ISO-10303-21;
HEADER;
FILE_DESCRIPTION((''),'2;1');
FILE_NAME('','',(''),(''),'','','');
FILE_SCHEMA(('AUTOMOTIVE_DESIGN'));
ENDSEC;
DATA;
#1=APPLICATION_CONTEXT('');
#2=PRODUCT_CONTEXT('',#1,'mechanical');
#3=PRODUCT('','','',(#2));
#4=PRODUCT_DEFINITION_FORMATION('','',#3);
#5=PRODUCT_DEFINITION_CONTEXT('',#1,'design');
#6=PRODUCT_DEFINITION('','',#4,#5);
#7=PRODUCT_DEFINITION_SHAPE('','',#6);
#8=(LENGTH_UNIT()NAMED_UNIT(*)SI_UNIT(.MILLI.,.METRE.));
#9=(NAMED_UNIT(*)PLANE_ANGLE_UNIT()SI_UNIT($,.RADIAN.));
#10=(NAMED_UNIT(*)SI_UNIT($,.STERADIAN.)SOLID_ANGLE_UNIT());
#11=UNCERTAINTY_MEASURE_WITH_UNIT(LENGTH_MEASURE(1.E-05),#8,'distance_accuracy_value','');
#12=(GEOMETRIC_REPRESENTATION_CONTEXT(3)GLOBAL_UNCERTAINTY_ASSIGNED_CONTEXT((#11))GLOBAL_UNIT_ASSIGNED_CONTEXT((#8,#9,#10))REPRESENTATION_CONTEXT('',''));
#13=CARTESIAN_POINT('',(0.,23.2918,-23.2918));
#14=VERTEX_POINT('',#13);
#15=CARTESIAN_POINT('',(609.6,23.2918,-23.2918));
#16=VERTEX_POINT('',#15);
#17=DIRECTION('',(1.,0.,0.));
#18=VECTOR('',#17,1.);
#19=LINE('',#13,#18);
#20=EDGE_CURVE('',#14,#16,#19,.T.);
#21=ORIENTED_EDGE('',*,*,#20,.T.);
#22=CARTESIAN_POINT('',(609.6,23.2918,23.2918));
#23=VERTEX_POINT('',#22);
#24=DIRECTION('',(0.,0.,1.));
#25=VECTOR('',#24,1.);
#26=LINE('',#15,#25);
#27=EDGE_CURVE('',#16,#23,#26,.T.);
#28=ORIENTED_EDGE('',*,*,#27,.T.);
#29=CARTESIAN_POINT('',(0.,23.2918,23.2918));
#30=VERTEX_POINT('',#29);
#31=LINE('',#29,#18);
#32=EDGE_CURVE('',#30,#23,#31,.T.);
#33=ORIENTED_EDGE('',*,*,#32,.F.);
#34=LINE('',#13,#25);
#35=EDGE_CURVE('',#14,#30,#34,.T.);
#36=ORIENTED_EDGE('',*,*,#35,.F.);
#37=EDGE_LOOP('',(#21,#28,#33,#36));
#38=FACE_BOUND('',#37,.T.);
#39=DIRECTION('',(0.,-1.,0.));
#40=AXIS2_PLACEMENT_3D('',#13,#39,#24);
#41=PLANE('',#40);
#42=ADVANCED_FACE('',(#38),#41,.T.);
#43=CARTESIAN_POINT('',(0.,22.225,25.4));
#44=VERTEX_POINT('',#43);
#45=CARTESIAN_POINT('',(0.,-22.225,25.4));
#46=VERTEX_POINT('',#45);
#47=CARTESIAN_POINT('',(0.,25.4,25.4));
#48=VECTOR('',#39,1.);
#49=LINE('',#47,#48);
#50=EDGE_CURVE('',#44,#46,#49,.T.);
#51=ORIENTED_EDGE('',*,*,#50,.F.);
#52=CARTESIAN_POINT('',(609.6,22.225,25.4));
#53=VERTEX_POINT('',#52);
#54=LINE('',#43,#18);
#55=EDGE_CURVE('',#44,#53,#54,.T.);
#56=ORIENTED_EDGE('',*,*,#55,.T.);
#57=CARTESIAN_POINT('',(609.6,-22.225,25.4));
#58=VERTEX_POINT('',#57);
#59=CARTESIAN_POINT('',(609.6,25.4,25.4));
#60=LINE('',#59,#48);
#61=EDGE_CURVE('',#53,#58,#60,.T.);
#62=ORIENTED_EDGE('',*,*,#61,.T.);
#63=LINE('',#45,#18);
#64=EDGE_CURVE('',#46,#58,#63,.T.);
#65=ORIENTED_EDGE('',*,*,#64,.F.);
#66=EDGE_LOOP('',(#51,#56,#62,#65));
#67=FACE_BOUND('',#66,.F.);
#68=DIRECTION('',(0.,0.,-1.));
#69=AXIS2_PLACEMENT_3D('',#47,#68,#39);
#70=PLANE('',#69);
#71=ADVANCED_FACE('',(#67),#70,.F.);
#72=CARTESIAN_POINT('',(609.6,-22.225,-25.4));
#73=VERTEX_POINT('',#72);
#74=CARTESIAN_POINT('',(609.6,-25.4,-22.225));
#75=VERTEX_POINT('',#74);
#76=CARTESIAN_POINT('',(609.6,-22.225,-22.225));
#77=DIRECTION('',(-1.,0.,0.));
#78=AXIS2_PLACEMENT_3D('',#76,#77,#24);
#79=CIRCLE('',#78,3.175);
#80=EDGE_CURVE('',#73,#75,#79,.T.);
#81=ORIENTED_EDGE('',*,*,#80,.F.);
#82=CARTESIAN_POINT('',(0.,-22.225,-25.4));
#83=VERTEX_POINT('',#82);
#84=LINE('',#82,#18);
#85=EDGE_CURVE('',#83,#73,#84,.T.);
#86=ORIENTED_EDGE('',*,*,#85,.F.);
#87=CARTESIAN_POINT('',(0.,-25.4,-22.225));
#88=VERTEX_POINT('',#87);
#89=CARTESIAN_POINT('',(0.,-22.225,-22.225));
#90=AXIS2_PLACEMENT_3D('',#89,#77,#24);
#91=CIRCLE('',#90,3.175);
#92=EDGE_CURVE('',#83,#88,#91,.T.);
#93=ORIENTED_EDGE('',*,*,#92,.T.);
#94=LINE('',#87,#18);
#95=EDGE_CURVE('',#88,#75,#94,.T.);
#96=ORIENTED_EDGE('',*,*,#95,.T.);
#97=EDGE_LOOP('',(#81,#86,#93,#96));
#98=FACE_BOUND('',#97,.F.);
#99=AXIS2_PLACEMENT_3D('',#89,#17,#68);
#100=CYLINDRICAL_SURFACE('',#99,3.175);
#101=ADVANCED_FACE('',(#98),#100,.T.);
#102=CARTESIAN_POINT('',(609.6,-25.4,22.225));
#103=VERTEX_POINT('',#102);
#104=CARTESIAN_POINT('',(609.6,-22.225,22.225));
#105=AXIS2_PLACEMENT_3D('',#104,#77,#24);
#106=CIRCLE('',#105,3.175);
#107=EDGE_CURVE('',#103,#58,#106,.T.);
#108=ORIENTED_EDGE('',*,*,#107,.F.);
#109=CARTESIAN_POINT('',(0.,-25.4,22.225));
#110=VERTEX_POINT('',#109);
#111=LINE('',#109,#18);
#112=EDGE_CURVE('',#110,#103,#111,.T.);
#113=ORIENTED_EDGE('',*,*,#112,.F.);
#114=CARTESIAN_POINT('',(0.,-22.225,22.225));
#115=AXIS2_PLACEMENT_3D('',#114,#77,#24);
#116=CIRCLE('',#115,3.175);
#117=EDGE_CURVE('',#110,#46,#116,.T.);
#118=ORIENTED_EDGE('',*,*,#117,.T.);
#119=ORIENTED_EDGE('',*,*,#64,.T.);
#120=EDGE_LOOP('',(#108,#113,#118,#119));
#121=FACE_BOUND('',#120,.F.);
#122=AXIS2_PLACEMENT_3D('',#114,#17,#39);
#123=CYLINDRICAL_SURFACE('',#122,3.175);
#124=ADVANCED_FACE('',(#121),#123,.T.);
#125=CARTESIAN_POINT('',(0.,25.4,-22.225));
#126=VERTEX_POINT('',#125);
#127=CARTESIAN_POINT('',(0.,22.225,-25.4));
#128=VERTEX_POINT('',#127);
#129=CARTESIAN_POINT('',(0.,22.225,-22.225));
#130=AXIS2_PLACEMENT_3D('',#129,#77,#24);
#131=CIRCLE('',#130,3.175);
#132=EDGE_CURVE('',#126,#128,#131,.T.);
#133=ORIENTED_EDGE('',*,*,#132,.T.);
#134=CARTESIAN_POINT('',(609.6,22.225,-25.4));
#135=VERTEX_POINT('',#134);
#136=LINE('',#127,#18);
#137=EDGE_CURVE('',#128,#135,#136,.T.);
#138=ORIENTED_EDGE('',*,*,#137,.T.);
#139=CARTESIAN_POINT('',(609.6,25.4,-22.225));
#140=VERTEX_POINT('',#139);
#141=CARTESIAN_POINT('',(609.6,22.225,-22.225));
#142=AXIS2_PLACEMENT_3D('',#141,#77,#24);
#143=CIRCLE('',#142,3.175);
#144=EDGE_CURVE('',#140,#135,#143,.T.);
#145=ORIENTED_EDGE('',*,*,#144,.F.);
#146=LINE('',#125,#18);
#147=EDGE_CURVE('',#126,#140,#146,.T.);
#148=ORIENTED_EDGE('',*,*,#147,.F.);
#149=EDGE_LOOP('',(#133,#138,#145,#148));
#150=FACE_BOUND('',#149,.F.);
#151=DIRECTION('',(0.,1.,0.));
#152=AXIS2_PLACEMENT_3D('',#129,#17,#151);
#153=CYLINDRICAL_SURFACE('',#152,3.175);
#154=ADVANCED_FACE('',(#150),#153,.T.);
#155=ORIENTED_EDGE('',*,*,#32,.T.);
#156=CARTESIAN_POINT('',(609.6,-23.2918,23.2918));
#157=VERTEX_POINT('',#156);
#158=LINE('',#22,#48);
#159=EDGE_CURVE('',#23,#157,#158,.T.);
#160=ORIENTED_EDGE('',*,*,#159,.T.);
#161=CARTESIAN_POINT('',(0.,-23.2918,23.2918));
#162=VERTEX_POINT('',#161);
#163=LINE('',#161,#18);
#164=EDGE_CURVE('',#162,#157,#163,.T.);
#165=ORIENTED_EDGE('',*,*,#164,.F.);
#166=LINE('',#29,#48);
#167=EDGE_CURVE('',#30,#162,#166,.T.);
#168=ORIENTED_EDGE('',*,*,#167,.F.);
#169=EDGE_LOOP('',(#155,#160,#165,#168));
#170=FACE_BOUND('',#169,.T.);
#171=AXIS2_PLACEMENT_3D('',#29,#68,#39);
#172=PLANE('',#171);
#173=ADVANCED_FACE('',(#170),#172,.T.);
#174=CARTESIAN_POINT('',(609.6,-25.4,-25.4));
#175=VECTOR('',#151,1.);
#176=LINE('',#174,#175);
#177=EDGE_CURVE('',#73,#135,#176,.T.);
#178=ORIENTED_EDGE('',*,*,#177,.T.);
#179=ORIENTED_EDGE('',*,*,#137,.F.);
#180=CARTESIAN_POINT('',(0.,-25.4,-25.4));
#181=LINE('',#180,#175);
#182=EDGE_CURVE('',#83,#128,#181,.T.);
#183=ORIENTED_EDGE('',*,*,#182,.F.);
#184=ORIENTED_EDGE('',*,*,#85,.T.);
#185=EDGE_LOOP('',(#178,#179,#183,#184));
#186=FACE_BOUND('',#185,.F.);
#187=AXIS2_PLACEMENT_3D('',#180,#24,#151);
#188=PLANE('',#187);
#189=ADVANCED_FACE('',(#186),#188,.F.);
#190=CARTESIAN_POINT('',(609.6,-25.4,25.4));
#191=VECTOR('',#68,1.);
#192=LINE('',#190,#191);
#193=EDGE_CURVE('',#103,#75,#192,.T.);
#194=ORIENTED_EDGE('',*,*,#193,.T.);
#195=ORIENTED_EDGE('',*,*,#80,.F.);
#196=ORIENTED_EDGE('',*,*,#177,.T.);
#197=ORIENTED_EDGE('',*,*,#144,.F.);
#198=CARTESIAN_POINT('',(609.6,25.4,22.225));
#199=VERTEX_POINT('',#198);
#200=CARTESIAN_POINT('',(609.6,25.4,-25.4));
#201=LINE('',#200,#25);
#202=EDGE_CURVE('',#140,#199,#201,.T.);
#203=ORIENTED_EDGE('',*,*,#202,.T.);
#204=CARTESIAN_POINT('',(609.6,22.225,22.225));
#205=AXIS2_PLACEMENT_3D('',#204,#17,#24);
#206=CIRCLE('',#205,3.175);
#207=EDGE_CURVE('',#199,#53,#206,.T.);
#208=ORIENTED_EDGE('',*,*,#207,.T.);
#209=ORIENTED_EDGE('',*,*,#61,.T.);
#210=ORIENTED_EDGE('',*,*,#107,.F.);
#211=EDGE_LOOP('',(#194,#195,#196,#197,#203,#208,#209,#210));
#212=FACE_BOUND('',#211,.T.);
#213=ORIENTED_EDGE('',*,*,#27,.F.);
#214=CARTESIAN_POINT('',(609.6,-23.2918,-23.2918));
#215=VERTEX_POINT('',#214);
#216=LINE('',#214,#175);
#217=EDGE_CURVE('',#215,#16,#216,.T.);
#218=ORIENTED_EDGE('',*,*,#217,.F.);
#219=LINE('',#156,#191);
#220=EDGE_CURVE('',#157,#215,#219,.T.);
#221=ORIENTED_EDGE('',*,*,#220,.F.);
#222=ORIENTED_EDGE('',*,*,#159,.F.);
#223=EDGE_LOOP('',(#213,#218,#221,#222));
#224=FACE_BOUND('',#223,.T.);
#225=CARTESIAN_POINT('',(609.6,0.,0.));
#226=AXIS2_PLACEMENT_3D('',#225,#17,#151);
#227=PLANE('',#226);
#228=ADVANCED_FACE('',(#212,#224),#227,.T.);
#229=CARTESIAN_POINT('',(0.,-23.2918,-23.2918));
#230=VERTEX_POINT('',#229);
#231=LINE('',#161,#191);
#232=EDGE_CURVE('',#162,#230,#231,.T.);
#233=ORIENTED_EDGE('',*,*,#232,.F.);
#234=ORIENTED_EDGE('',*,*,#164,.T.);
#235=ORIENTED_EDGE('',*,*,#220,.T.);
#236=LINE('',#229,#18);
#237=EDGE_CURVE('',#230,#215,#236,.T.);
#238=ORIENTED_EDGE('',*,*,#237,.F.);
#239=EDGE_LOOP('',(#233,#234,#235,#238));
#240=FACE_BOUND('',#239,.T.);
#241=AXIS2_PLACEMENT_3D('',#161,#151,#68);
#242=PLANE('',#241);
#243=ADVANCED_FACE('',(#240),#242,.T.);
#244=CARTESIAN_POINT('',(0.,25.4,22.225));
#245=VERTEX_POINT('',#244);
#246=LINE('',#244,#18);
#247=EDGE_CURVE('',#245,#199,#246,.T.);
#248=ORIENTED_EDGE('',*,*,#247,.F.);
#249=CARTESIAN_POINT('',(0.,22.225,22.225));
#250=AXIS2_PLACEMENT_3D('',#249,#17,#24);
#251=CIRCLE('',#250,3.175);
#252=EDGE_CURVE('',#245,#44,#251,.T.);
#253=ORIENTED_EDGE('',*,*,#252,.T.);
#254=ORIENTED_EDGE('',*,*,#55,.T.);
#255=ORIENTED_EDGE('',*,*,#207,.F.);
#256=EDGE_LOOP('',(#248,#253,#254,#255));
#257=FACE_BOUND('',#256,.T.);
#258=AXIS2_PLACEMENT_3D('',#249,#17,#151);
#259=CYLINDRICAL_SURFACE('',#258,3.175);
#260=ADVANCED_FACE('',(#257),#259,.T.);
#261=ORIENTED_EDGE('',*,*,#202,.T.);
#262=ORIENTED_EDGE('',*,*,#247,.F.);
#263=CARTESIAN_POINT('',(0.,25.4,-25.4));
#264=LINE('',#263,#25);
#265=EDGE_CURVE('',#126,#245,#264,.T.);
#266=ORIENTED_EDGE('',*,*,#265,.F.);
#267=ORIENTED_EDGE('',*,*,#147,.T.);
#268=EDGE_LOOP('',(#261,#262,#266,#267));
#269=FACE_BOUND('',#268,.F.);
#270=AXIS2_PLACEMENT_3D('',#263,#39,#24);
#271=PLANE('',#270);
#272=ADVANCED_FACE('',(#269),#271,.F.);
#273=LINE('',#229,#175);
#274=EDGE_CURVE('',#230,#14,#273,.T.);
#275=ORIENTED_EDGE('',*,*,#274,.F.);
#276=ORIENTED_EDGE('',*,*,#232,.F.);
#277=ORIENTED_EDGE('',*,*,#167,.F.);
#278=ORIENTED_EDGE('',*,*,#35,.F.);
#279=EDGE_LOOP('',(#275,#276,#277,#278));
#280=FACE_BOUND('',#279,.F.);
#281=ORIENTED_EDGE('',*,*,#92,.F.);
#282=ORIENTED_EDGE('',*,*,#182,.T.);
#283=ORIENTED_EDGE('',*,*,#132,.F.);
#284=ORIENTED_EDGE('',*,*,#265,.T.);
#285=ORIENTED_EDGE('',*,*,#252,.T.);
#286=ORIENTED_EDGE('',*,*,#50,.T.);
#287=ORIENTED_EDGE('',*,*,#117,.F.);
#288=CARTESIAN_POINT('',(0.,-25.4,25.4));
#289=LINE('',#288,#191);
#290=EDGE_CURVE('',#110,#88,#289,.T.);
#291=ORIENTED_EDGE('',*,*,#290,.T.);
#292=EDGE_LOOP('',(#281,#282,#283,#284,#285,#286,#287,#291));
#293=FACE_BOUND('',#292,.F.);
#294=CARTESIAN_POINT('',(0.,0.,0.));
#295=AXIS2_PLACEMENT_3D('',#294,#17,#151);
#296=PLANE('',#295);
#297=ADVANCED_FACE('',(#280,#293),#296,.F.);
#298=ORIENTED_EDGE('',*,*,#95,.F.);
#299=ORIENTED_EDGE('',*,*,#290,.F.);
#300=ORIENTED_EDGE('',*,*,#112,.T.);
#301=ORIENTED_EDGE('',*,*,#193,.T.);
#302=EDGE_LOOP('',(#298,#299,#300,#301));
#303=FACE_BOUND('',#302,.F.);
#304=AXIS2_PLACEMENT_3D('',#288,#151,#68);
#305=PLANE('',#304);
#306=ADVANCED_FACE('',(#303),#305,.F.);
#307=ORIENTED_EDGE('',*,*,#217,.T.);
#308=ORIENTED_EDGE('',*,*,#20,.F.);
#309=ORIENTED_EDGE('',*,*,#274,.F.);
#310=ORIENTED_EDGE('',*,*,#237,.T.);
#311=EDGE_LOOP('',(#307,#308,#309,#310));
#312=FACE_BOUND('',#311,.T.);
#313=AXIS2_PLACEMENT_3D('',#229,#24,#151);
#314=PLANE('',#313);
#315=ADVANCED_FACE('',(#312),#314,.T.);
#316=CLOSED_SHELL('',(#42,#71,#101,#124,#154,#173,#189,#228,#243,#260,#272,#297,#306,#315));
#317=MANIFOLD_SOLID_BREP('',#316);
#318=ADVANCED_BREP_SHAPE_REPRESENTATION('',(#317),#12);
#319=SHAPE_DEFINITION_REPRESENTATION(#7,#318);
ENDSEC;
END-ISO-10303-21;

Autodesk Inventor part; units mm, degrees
ref_plane "YZ Plane" through (0, 0, 0) normal (1, 0, 0) x (0, 1, 0)
ref_plane "XZ Plane" through (0, 0, 0) normal (0, 1, 0) x (-1, 0, 0)
ref_plane "XY Plane" through (0, 0, 0) normal (0, 0, 1) x (1, 0, 0)
sketch "Sketch1" plane through (0, 0, 0) normal (1, 0, 0) x (0, 1, 0)
  line L0 (25.4, 25.4) -> (-25.4, 25.4)
  line L1 (-25.4, 25.4) -> (-25.4, -25.4)
  line L2 (-25.4, -25.4) -> (25.4, -25.4)
  line L3 (25.4, -25.4) -> (25.4, 25.4)
  line L4 (23.2918, 23.2918) -> (-23.2918, 23.2918)
  line L5 (-23.2918, 23.2918) -> (-23.2918, -23.2918)
  line L6 (-23.2918, -23.2918) -> (23.2918, -23.2918)
  line L7 (23.2918, -23.2918) -> (23.2918, 23.2918)
  point P0 (0, 0)
  point P1 (0, -25.4)
  point P2 (25.4, 0)
  dimension "d0" = 50.8
  dimension "d1" = 50.8
  dimension "d2" = 2.1082
extrude "Extrusion1" add sketch "Sketch1" along normal blind 609.6
fillet "Fillet1" radius 3.175 4 edges at (304.8, 25.4, 25.4) (304.8, -25.4, 25.4) (304.8, 25.4, -25.4) (304.8, -25.4, -25.4)
properties part number "24_inch_square" material "Steel"
